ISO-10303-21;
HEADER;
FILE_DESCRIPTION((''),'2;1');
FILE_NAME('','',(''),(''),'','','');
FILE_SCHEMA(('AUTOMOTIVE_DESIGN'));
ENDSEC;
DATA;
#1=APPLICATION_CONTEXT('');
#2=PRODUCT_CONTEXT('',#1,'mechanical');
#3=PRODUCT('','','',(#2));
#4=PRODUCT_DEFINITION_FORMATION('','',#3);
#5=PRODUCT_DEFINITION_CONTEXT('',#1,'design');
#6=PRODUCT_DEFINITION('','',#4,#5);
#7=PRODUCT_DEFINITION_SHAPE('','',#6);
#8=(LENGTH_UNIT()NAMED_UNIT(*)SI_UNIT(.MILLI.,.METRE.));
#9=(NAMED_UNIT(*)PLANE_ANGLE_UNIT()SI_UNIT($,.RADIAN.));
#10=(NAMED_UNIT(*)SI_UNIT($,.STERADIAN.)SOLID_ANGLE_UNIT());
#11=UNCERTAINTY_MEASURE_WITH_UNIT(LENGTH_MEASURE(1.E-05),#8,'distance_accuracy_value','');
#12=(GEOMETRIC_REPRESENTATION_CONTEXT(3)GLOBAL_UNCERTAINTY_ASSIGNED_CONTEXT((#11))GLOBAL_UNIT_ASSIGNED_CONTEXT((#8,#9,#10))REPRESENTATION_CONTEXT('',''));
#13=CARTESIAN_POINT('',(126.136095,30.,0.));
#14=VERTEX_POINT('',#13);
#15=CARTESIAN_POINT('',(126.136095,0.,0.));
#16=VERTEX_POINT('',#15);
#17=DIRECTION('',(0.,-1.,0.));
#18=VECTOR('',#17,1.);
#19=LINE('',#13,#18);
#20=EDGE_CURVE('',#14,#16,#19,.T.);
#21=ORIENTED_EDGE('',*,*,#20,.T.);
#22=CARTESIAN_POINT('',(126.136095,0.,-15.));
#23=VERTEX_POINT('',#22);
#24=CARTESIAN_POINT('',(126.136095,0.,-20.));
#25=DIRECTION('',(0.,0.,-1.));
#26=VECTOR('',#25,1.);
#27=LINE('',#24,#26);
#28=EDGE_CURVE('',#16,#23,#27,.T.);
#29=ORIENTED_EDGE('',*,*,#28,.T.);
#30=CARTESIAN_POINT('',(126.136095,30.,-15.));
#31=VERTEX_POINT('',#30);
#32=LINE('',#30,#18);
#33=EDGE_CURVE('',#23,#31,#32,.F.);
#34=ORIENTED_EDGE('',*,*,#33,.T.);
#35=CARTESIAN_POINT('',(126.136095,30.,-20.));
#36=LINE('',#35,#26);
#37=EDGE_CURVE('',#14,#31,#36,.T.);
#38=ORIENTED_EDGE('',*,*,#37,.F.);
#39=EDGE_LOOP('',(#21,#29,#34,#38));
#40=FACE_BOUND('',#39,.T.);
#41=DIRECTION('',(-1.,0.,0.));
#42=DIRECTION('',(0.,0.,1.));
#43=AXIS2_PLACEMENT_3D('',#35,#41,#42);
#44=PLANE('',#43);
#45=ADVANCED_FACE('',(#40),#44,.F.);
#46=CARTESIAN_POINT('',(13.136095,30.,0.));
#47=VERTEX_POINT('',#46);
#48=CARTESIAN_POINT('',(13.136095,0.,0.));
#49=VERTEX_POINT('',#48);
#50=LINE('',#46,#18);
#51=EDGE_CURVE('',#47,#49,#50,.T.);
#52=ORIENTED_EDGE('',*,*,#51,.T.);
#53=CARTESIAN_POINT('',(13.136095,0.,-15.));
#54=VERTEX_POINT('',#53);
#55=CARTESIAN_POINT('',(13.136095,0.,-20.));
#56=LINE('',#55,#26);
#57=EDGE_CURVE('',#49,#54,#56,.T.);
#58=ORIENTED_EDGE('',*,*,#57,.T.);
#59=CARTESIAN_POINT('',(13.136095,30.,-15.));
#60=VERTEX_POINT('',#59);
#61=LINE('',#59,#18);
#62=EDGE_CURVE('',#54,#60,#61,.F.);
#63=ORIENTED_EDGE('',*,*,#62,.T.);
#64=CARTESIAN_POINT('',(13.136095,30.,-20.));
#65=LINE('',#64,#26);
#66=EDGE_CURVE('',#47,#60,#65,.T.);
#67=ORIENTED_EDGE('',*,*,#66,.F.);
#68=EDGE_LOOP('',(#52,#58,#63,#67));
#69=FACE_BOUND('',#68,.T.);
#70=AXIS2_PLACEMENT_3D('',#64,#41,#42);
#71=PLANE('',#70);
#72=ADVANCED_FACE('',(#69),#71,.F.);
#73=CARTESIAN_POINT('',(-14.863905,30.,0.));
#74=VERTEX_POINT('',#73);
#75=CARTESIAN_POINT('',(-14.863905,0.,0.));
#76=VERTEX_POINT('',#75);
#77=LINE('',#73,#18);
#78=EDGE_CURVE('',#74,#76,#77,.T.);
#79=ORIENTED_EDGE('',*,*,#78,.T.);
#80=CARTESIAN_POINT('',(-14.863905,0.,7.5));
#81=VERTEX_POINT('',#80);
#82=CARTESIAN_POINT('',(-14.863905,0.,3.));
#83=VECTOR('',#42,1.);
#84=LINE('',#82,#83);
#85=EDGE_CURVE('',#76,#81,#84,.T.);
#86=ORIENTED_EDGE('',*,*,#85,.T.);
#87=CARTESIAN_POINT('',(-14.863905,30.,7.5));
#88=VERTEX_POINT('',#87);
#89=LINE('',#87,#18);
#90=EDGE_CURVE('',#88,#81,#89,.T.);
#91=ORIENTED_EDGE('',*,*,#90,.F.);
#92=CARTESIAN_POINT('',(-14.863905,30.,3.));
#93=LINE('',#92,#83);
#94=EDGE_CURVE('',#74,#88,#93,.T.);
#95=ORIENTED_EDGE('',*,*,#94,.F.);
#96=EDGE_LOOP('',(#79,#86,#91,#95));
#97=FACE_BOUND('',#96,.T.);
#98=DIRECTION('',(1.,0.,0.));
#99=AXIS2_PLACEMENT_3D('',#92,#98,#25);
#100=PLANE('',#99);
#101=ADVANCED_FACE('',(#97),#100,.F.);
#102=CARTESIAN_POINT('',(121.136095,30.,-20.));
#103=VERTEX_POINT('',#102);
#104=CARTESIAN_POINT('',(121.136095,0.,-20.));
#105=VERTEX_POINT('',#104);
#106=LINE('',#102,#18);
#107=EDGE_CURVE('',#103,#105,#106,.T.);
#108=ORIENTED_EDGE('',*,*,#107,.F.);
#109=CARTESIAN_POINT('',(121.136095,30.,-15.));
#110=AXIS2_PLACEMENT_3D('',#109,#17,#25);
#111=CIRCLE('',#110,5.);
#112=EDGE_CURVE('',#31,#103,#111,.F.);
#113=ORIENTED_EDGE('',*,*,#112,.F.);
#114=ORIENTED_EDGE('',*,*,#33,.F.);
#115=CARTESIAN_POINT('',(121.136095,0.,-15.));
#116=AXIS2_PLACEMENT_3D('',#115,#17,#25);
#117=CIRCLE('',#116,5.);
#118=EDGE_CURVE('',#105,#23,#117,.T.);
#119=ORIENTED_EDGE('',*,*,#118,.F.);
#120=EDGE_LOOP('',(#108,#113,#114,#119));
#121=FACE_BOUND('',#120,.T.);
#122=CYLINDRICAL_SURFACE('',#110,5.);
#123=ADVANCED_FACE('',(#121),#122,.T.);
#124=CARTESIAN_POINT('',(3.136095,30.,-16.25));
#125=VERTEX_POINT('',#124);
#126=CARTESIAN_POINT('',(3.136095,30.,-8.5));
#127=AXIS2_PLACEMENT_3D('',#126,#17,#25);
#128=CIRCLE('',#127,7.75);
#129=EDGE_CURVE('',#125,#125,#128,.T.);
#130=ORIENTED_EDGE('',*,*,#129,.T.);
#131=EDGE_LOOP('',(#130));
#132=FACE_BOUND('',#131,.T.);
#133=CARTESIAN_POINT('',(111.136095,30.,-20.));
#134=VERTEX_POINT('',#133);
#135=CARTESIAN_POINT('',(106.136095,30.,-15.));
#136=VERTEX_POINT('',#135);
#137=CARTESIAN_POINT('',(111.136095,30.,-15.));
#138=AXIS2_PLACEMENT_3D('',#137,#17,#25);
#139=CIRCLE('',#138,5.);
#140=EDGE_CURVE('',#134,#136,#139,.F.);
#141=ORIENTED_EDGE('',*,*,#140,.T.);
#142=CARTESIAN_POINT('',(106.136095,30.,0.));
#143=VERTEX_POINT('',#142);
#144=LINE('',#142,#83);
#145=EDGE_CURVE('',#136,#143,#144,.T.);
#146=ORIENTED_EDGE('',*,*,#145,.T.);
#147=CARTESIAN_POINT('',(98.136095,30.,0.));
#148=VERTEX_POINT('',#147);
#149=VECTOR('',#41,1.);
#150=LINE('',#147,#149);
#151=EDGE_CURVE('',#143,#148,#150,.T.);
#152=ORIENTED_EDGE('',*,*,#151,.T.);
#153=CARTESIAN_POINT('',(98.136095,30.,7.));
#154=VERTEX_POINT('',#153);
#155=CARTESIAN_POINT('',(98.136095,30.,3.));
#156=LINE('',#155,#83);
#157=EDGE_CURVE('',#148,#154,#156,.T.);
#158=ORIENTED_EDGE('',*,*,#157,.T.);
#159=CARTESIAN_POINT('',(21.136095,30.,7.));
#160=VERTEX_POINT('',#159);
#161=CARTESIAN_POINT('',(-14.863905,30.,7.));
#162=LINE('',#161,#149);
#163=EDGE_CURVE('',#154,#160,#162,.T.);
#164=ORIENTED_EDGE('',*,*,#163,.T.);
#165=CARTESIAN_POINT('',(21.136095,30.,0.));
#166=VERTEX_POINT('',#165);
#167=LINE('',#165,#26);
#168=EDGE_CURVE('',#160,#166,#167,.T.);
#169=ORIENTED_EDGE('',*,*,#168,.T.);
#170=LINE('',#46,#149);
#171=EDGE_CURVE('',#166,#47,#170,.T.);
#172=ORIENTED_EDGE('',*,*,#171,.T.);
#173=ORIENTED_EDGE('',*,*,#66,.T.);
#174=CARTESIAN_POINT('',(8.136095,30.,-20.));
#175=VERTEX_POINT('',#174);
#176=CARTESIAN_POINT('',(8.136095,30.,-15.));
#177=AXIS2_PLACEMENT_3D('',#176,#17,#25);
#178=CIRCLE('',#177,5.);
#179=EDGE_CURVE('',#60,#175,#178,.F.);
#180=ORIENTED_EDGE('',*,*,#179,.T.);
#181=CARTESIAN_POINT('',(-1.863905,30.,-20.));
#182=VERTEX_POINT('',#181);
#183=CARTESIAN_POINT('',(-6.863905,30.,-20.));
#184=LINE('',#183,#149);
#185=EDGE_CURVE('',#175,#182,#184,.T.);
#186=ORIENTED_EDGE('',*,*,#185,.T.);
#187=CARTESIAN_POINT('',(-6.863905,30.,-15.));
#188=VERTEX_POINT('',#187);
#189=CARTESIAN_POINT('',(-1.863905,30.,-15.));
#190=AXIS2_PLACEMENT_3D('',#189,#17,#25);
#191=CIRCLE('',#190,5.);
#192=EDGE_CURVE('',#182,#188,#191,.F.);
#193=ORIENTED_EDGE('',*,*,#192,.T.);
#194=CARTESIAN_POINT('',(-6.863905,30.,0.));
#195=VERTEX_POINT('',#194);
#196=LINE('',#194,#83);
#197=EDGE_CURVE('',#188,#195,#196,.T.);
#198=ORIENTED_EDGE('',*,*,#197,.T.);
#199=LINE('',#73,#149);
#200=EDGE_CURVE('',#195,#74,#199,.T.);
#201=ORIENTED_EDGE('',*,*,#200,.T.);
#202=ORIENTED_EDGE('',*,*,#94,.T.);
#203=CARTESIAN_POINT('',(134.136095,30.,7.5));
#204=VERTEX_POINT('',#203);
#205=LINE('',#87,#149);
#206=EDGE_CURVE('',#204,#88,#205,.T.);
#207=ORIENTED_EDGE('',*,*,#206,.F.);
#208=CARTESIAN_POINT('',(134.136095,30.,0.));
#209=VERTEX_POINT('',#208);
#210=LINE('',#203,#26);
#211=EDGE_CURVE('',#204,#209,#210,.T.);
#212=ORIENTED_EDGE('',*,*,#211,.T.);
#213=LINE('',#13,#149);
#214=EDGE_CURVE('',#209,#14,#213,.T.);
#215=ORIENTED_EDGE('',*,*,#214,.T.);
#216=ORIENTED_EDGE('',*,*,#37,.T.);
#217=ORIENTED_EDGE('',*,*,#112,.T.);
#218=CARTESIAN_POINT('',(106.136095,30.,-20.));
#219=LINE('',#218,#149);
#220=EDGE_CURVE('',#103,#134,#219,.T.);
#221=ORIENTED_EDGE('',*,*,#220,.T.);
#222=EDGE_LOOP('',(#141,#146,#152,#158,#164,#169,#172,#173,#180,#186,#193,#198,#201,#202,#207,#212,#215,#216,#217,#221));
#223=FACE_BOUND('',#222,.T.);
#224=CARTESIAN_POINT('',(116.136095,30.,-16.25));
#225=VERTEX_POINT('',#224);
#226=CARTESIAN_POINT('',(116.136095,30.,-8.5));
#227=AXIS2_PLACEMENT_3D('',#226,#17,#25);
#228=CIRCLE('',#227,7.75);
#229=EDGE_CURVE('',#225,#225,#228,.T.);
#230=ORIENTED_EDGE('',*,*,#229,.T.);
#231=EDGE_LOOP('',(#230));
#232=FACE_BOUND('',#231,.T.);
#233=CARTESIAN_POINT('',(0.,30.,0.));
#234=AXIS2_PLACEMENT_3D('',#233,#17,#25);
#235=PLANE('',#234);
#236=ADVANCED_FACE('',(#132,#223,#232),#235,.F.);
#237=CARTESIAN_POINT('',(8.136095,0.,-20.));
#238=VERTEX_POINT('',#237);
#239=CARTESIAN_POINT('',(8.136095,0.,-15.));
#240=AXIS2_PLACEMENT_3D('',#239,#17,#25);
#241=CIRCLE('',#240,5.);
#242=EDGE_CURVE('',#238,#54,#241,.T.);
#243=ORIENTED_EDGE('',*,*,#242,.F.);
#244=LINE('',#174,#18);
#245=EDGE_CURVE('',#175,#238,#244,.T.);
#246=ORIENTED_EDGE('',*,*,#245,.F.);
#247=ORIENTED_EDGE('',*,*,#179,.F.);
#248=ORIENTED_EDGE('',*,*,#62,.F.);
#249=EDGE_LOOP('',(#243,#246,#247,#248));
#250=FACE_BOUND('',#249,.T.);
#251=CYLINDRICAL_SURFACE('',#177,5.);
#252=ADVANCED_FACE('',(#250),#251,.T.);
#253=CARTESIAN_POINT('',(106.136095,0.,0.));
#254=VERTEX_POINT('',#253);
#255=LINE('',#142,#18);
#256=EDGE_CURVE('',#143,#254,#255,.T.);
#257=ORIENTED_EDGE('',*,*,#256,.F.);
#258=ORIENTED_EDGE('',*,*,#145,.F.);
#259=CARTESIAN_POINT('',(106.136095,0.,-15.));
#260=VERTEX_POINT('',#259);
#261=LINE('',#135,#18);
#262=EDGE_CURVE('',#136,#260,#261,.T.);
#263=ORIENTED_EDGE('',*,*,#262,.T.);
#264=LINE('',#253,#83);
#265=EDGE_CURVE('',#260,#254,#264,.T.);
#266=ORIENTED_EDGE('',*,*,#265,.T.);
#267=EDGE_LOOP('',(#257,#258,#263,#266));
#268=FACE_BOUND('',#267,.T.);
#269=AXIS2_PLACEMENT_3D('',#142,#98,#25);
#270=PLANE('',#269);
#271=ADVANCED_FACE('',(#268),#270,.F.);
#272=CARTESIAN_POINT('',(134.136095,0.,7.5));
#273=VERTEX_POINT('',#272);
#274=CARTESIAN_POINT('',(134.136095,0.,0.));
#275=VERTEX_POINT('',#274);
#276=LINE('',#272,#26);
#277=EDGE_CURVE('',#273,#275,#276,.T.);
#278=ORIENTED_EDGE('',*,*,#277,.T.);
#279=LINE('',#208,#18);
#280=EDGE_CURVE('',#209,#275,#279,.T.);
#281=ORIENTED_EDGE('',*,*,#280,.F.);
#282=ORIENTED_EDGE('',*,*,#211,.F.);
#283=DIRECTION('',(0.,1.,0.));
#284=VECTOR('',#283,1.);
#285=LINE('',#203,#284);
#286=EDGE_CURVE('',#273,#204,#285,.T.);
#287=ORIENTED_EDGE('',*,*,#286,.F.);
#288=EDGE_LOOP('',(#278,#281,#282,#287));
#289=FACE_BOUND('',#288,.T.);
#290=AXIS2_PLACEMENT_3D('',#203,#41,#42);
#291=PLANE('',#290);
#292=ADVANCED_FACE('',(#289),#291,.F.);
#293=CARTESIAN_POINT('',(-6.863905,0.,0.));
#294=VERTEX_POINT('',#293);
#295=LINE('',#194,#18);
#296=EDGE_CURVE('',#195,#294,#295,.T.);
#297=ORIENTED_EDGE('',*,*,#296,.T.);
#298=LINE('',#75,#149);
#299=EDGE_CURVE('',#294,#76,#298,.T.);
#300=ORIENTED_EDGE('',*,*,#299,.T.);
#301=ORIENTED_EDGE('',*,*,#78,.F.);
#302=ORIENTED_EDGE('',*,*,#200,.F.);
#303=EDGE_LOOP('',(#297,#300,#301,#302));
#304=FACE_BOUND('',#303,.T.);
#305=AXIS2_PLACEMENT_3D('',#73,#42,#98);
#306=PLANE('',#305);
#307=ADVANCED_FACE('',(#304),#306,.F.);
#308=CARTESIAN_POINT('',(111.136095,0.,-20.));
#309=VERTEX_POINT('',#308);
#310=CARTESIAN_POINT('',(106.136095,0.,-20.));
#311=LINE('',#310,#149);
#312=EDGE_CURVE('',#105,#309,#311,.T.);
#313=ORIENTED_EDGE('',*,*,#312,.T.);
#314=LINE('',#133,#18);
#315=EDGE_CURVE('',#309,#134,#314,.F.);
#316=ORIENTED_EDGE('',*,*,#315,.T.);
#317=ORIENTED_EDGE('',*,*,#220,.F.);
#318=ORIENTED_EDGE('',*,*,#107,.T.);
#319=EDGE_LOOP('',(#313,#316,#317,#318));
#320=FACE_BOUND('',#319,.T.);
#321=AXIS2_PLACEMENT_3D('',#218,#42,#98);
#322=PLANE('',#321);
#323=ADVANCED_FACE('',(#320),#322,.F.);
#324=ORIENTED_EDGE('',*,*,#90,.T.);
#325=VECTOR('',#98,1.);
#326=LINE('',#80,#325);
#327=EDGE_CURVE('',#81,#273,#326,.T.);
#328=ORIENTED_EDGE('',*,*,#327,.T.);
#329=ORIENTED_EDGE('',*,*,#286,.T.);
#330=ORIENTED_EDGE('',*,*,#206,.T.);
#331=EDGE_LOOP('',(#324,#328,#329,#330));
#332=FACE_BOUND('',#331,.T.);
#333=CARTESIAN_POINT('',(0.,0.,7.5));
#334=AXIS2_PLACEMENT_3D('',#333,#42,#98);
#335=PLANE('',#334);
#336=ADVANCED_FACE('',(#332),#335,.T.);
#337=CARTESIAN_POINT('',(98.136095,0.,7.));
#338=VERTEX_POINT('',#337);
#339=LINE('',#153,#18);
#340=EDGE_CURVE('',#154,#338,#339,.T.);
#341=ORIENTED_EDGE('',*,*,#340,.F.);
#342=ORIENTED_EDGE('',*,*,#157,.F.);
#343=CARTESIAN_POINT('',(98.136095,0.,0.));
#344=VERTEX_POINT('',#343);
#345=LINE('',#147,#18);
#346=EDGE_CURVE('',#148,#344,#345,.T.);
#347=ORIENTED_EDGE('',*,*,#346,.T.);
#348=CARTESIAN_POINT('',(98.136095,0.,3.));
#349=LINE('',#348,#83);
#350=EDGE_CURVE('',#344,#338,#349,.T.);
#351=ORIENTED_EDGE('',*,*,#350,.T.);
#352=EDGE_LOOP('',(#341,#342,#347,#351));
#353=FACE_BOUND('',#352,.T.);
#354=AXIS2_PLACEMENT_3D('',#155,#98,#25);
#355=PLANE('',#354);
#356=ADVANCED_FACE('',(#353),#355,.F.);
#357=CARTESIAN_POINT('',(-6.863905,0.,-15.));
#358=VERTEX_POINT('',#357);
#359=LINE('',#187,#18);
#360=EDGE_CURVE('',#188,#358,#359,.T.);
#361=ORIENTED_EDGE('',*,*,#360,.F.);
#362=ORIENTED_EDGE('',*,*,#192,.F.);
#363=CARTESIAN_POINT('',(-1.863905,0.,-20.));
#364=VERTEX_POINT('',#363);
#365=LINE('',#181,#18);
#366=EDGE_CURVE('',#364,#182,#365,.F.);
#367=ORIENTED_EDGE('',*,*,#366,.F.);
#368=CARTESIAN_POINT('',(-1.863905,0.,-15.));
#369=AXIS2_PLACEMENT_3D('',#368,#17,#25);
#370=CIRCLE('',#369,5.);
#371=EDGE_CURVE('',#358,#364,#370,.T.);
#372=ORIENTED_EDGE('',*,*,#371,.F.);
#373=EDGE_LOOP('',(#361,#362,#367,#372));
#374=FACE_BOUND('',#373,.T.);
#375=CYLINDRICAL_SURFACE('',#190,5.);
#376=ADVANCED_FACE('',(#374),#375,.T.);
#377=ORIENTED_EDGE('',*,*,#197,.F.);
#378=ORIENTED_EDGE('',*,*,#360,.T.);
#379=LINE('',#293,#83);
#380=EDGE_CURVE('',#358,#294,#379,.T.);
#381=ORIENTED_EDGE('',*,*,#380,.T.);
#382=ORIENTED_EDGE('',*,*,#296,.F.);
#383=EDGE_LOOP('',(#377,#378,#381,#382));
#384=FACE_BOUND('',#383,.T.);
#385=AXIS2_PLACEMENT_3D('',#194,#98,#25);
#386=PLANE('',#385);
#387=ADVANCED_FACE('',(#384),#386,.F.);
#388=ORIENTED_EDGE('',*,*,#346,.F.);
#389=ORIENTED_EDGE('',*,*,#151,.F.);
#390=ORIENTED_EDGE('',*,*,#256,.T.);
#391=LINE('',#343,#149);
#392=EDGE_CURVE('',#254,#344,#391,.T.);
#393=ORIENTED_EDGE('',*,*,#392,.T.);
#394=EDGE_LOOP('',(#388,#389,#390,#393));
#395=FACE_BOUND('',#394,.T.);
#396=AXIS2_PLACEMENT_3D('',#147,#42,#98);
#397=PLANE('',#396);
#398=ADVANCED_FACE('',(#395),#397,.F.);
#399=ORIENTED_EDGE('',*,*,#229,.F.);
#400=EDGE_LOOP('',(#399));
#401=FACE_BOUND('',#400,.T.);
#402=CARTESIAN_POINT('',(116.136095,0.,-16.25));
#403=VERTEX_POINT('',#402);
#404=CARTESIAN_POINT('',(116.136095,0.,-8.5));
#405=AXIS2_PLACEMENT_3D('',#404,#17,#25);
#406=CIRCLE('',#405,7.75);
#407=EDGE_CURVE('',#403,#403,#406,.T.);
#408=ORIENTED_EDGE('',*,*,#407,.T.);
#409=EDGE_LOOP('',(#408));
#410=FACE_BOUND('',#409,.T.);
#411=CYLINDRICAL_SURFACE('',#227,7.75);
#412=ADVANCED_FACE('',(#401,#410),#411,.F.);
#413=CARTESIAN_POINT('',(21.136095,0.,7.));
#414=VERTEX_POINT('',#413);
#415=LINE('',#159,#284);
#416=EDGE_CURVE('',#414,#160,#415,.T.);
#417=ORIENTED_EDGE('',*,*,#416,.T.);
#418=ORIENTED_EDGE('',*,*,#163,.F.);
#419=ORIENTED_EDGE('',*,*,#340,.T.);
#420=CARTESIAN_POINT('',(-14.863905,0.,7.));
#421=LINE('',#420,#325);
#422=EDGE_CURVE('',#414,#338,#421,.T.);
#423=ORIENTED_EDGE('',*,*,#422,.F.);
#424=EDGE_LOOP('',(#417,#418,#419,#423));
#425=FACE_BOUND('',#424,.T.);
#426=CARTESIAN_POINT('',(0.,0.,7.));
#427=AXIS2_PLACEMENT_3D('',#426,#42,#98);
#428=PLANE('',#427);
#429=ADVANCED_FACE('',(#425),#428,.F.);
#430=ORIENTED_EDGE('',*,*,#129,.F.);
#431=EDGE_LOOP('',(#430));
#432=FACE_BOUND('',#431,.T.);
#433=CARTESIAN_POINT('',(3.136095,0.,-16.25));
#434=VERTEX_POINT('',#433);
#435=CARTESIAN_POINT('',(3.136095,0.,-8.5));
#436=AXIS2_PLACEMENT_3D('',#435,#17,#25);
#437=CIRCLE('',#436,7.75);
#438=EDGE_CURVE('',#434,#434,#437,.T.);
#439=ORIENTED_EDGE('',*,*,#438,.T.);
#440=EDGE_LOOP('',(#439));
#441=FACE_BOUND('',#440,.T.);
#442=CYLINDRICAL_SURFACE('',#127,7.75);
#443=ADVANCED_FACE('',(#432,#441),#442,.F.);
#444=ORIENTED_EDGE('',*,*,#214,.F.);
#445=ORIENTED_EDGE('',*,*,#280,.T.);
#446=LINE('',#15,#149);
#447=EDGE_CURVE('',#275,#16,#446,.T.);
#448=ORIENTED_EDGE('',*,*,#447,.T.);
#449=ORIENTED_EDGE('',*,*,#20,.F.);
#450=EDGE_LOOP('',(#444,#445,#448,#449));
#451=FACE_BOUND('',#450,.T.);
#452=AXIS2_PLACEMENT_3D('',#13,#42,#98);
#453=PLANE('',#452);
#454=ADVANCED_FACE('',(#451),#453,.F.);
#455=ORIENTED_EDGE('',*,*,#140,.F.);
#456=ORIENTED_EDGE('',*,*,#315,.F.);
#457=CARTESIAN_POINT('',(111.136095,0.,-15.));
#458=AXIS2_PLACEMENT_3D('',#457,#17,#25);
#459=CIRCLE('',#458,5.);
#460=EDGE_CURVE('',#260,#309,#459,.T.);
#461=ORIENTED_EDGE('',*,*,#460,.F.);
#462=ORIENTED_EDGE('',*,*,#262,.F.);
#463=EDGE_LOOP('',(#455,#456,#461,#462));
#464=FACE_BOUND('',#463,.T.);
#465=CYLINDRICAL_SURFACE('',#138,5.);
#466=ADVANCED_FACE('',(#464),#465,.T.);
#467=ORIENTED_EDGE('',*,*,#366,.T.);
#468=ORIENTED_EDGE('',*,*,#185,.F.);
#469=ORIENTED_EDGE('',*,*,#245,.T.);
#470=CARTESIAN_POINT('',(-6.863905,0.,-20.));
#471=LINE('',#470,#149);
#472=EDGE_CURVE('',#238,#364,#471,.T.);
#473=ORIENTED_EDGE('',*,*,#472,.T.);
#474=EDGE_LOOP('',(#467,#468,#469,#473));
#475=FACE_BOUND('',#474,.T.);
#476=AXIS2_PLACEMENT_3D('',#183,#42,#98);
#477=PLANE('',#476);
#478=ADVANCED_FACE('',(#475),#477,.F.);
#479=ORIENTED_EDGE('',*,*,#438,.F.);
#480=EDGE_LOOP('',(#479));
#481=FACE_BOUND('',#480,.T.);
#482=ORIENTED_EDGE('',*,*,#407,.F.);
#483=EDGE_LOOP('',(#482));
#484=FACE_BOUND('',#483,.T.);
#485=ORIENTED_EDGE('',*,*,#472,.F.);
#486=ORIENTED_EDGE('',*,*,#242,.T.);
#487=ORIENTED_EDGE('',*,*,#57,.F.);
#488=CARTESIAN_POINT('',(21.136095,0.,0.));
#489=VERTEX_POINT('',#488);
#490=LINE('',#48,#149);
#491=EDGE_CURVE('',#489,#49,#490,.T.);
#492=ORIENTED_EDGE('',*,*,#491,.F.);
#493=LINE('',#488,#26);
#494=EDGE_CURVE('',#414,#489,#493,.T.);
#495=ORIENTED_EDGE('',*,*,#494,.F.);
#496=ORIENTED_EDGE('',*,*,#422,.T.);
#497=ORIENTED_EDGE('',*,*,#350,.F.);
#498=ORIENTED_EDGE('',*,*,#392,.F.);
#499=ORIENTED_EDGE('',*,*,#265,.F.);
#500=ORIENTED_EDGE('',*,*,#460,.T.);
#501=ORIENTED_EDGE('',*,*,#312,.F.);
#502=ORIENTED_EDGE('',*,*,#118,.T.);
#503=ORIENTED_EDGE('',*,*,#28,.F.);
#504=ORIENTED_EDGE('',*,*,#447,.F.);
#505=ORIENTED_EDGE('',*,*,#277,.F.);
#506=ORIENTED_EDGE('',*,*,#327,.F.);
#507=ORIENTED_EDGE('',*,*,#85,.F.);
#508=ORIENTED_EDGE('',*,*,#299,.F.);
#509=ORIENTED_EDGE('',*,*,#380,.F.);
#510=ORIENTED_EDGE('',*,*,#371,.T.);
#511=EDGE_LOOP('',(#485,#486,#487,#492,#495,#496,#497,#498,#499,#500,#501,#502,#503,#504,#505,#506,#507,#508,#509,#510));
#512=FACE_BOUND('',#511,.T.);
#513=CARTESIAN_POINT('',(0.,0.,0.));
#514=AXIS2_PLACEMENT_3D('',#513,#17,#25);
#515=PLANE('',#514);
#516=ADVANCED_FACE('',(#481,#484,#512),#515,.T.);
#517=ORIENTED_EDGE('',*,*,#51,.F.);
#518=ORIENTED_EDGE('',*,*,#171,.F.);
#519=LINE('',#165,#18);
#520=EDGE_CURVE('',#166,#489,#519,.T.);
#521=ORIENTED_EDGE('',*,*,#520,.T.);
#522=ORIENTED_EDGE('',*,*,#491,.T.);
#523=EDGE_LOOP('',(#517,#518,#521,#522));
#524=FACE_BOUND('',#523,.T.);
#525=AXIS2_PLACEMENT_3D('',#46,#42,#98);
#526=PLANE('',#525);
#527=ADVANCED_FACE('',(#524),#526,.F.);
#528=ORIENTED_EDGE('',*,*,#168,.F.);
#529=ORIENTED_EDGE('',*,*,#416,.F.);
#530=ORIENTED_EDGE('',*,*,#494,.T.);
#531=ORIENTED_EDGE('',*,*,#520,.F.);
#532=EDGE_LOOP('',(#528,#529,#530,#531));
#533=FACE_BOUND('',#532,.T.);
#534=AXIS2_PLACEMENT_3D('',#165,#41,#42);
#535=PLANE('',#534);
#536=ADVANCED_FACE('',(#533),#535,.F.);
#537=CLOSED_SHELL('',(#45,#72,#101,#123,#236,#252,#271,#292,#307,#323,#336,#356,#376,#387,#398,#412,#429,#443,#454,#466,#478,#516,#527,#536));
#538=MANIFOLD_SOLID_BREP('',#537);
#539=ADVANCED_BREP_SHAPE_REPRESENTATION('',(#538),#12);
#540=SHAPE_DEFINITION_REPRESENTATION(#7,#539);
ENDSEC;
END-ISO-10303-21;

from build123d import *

# Parameters (mm, degrees)
BOSS_EXTRUDE1_DEPTH = 30
SKETCH3_R           = 7.75
CUT_EXTRUDE1_DEPTH  = 30
FILLET1_R           = 5
SKETCH4_W           = 36
SKETCH4_H           = 30
BOSS_EXTRUDE2_DEPTH = 4
SKETCH9_W           = 149
SKETCH9_H           = 30
BOSS_EXTRUDE5_DEPTH = 0.5


with BuildPart() as part:
    # Sketch2 → Boss-Extrude1 (new body)
    with BuildSketch(Plane(origin=(0, 0, 0), x_dir=(1, 0, 0), z_dir=(0, 1, 0))):
        Polygon((-14.863905325, 0), (-6.863905325, 0), (-6.863905325, 20), (13.136094675, 20), (13.136094675, 0), (21.136094675, 0), (21.136094675, -3), (-14.863905325, -3), align=None)
    extrude(amount=BOSS_EXTRUDE1_DEPTH)

    # Sketch3 → Cut-Extrude1 (cut)
    with BuildSketch(Plane.XZ):
        with Locations(Location((3.136094675, -8.5, 0), (0, 0, 270))):
            Circle(SKETCH3_R)
    extrude(amount=-CUT_EXTRUDE1_DEPTH, mode=Mode.SUBTRACT)

    # Fillet1
    fillet1_edges = [part.edges().sort_by_distance(p)[0] for p in [
        (-6.863905325, 15, -20),
        (13.136094675, 15, -20),
    ]]
    fillet(fillet1_edges, radius=FILLET1_R)

    # Sketch4 → Boss-Extrude2 (add)
    with BuildSketch(Plane.XY.offset(3)):
        with Locations((3.136094675, 15)):
            Rectangle(SKETCH4_W, SKETCH4_H)
    extrude(amount=BOSS_EXTRUDE2_DEPTH)


with BuildPart() as body_2:
    # Body-Move/Copy2: copy of part
    add(part.part.moved(Location((113, 0, 0))))


with BuildPart() as part_1:
    add(part.part)

    add(body_2.part)  # Boss-Extrude5 merges body 2
    # Sketch9 → Boss-Extrude5 (add)
    with BuildSketch(Plane.XY.offset(7)):
        with Locations((59.636094675, 15)):
            Rectangle(SKETCH9_W, SKETCH9_H)
    extrude(amount=BOSS_EXTRUDE5_DEPTH)


solid = part_1.part
